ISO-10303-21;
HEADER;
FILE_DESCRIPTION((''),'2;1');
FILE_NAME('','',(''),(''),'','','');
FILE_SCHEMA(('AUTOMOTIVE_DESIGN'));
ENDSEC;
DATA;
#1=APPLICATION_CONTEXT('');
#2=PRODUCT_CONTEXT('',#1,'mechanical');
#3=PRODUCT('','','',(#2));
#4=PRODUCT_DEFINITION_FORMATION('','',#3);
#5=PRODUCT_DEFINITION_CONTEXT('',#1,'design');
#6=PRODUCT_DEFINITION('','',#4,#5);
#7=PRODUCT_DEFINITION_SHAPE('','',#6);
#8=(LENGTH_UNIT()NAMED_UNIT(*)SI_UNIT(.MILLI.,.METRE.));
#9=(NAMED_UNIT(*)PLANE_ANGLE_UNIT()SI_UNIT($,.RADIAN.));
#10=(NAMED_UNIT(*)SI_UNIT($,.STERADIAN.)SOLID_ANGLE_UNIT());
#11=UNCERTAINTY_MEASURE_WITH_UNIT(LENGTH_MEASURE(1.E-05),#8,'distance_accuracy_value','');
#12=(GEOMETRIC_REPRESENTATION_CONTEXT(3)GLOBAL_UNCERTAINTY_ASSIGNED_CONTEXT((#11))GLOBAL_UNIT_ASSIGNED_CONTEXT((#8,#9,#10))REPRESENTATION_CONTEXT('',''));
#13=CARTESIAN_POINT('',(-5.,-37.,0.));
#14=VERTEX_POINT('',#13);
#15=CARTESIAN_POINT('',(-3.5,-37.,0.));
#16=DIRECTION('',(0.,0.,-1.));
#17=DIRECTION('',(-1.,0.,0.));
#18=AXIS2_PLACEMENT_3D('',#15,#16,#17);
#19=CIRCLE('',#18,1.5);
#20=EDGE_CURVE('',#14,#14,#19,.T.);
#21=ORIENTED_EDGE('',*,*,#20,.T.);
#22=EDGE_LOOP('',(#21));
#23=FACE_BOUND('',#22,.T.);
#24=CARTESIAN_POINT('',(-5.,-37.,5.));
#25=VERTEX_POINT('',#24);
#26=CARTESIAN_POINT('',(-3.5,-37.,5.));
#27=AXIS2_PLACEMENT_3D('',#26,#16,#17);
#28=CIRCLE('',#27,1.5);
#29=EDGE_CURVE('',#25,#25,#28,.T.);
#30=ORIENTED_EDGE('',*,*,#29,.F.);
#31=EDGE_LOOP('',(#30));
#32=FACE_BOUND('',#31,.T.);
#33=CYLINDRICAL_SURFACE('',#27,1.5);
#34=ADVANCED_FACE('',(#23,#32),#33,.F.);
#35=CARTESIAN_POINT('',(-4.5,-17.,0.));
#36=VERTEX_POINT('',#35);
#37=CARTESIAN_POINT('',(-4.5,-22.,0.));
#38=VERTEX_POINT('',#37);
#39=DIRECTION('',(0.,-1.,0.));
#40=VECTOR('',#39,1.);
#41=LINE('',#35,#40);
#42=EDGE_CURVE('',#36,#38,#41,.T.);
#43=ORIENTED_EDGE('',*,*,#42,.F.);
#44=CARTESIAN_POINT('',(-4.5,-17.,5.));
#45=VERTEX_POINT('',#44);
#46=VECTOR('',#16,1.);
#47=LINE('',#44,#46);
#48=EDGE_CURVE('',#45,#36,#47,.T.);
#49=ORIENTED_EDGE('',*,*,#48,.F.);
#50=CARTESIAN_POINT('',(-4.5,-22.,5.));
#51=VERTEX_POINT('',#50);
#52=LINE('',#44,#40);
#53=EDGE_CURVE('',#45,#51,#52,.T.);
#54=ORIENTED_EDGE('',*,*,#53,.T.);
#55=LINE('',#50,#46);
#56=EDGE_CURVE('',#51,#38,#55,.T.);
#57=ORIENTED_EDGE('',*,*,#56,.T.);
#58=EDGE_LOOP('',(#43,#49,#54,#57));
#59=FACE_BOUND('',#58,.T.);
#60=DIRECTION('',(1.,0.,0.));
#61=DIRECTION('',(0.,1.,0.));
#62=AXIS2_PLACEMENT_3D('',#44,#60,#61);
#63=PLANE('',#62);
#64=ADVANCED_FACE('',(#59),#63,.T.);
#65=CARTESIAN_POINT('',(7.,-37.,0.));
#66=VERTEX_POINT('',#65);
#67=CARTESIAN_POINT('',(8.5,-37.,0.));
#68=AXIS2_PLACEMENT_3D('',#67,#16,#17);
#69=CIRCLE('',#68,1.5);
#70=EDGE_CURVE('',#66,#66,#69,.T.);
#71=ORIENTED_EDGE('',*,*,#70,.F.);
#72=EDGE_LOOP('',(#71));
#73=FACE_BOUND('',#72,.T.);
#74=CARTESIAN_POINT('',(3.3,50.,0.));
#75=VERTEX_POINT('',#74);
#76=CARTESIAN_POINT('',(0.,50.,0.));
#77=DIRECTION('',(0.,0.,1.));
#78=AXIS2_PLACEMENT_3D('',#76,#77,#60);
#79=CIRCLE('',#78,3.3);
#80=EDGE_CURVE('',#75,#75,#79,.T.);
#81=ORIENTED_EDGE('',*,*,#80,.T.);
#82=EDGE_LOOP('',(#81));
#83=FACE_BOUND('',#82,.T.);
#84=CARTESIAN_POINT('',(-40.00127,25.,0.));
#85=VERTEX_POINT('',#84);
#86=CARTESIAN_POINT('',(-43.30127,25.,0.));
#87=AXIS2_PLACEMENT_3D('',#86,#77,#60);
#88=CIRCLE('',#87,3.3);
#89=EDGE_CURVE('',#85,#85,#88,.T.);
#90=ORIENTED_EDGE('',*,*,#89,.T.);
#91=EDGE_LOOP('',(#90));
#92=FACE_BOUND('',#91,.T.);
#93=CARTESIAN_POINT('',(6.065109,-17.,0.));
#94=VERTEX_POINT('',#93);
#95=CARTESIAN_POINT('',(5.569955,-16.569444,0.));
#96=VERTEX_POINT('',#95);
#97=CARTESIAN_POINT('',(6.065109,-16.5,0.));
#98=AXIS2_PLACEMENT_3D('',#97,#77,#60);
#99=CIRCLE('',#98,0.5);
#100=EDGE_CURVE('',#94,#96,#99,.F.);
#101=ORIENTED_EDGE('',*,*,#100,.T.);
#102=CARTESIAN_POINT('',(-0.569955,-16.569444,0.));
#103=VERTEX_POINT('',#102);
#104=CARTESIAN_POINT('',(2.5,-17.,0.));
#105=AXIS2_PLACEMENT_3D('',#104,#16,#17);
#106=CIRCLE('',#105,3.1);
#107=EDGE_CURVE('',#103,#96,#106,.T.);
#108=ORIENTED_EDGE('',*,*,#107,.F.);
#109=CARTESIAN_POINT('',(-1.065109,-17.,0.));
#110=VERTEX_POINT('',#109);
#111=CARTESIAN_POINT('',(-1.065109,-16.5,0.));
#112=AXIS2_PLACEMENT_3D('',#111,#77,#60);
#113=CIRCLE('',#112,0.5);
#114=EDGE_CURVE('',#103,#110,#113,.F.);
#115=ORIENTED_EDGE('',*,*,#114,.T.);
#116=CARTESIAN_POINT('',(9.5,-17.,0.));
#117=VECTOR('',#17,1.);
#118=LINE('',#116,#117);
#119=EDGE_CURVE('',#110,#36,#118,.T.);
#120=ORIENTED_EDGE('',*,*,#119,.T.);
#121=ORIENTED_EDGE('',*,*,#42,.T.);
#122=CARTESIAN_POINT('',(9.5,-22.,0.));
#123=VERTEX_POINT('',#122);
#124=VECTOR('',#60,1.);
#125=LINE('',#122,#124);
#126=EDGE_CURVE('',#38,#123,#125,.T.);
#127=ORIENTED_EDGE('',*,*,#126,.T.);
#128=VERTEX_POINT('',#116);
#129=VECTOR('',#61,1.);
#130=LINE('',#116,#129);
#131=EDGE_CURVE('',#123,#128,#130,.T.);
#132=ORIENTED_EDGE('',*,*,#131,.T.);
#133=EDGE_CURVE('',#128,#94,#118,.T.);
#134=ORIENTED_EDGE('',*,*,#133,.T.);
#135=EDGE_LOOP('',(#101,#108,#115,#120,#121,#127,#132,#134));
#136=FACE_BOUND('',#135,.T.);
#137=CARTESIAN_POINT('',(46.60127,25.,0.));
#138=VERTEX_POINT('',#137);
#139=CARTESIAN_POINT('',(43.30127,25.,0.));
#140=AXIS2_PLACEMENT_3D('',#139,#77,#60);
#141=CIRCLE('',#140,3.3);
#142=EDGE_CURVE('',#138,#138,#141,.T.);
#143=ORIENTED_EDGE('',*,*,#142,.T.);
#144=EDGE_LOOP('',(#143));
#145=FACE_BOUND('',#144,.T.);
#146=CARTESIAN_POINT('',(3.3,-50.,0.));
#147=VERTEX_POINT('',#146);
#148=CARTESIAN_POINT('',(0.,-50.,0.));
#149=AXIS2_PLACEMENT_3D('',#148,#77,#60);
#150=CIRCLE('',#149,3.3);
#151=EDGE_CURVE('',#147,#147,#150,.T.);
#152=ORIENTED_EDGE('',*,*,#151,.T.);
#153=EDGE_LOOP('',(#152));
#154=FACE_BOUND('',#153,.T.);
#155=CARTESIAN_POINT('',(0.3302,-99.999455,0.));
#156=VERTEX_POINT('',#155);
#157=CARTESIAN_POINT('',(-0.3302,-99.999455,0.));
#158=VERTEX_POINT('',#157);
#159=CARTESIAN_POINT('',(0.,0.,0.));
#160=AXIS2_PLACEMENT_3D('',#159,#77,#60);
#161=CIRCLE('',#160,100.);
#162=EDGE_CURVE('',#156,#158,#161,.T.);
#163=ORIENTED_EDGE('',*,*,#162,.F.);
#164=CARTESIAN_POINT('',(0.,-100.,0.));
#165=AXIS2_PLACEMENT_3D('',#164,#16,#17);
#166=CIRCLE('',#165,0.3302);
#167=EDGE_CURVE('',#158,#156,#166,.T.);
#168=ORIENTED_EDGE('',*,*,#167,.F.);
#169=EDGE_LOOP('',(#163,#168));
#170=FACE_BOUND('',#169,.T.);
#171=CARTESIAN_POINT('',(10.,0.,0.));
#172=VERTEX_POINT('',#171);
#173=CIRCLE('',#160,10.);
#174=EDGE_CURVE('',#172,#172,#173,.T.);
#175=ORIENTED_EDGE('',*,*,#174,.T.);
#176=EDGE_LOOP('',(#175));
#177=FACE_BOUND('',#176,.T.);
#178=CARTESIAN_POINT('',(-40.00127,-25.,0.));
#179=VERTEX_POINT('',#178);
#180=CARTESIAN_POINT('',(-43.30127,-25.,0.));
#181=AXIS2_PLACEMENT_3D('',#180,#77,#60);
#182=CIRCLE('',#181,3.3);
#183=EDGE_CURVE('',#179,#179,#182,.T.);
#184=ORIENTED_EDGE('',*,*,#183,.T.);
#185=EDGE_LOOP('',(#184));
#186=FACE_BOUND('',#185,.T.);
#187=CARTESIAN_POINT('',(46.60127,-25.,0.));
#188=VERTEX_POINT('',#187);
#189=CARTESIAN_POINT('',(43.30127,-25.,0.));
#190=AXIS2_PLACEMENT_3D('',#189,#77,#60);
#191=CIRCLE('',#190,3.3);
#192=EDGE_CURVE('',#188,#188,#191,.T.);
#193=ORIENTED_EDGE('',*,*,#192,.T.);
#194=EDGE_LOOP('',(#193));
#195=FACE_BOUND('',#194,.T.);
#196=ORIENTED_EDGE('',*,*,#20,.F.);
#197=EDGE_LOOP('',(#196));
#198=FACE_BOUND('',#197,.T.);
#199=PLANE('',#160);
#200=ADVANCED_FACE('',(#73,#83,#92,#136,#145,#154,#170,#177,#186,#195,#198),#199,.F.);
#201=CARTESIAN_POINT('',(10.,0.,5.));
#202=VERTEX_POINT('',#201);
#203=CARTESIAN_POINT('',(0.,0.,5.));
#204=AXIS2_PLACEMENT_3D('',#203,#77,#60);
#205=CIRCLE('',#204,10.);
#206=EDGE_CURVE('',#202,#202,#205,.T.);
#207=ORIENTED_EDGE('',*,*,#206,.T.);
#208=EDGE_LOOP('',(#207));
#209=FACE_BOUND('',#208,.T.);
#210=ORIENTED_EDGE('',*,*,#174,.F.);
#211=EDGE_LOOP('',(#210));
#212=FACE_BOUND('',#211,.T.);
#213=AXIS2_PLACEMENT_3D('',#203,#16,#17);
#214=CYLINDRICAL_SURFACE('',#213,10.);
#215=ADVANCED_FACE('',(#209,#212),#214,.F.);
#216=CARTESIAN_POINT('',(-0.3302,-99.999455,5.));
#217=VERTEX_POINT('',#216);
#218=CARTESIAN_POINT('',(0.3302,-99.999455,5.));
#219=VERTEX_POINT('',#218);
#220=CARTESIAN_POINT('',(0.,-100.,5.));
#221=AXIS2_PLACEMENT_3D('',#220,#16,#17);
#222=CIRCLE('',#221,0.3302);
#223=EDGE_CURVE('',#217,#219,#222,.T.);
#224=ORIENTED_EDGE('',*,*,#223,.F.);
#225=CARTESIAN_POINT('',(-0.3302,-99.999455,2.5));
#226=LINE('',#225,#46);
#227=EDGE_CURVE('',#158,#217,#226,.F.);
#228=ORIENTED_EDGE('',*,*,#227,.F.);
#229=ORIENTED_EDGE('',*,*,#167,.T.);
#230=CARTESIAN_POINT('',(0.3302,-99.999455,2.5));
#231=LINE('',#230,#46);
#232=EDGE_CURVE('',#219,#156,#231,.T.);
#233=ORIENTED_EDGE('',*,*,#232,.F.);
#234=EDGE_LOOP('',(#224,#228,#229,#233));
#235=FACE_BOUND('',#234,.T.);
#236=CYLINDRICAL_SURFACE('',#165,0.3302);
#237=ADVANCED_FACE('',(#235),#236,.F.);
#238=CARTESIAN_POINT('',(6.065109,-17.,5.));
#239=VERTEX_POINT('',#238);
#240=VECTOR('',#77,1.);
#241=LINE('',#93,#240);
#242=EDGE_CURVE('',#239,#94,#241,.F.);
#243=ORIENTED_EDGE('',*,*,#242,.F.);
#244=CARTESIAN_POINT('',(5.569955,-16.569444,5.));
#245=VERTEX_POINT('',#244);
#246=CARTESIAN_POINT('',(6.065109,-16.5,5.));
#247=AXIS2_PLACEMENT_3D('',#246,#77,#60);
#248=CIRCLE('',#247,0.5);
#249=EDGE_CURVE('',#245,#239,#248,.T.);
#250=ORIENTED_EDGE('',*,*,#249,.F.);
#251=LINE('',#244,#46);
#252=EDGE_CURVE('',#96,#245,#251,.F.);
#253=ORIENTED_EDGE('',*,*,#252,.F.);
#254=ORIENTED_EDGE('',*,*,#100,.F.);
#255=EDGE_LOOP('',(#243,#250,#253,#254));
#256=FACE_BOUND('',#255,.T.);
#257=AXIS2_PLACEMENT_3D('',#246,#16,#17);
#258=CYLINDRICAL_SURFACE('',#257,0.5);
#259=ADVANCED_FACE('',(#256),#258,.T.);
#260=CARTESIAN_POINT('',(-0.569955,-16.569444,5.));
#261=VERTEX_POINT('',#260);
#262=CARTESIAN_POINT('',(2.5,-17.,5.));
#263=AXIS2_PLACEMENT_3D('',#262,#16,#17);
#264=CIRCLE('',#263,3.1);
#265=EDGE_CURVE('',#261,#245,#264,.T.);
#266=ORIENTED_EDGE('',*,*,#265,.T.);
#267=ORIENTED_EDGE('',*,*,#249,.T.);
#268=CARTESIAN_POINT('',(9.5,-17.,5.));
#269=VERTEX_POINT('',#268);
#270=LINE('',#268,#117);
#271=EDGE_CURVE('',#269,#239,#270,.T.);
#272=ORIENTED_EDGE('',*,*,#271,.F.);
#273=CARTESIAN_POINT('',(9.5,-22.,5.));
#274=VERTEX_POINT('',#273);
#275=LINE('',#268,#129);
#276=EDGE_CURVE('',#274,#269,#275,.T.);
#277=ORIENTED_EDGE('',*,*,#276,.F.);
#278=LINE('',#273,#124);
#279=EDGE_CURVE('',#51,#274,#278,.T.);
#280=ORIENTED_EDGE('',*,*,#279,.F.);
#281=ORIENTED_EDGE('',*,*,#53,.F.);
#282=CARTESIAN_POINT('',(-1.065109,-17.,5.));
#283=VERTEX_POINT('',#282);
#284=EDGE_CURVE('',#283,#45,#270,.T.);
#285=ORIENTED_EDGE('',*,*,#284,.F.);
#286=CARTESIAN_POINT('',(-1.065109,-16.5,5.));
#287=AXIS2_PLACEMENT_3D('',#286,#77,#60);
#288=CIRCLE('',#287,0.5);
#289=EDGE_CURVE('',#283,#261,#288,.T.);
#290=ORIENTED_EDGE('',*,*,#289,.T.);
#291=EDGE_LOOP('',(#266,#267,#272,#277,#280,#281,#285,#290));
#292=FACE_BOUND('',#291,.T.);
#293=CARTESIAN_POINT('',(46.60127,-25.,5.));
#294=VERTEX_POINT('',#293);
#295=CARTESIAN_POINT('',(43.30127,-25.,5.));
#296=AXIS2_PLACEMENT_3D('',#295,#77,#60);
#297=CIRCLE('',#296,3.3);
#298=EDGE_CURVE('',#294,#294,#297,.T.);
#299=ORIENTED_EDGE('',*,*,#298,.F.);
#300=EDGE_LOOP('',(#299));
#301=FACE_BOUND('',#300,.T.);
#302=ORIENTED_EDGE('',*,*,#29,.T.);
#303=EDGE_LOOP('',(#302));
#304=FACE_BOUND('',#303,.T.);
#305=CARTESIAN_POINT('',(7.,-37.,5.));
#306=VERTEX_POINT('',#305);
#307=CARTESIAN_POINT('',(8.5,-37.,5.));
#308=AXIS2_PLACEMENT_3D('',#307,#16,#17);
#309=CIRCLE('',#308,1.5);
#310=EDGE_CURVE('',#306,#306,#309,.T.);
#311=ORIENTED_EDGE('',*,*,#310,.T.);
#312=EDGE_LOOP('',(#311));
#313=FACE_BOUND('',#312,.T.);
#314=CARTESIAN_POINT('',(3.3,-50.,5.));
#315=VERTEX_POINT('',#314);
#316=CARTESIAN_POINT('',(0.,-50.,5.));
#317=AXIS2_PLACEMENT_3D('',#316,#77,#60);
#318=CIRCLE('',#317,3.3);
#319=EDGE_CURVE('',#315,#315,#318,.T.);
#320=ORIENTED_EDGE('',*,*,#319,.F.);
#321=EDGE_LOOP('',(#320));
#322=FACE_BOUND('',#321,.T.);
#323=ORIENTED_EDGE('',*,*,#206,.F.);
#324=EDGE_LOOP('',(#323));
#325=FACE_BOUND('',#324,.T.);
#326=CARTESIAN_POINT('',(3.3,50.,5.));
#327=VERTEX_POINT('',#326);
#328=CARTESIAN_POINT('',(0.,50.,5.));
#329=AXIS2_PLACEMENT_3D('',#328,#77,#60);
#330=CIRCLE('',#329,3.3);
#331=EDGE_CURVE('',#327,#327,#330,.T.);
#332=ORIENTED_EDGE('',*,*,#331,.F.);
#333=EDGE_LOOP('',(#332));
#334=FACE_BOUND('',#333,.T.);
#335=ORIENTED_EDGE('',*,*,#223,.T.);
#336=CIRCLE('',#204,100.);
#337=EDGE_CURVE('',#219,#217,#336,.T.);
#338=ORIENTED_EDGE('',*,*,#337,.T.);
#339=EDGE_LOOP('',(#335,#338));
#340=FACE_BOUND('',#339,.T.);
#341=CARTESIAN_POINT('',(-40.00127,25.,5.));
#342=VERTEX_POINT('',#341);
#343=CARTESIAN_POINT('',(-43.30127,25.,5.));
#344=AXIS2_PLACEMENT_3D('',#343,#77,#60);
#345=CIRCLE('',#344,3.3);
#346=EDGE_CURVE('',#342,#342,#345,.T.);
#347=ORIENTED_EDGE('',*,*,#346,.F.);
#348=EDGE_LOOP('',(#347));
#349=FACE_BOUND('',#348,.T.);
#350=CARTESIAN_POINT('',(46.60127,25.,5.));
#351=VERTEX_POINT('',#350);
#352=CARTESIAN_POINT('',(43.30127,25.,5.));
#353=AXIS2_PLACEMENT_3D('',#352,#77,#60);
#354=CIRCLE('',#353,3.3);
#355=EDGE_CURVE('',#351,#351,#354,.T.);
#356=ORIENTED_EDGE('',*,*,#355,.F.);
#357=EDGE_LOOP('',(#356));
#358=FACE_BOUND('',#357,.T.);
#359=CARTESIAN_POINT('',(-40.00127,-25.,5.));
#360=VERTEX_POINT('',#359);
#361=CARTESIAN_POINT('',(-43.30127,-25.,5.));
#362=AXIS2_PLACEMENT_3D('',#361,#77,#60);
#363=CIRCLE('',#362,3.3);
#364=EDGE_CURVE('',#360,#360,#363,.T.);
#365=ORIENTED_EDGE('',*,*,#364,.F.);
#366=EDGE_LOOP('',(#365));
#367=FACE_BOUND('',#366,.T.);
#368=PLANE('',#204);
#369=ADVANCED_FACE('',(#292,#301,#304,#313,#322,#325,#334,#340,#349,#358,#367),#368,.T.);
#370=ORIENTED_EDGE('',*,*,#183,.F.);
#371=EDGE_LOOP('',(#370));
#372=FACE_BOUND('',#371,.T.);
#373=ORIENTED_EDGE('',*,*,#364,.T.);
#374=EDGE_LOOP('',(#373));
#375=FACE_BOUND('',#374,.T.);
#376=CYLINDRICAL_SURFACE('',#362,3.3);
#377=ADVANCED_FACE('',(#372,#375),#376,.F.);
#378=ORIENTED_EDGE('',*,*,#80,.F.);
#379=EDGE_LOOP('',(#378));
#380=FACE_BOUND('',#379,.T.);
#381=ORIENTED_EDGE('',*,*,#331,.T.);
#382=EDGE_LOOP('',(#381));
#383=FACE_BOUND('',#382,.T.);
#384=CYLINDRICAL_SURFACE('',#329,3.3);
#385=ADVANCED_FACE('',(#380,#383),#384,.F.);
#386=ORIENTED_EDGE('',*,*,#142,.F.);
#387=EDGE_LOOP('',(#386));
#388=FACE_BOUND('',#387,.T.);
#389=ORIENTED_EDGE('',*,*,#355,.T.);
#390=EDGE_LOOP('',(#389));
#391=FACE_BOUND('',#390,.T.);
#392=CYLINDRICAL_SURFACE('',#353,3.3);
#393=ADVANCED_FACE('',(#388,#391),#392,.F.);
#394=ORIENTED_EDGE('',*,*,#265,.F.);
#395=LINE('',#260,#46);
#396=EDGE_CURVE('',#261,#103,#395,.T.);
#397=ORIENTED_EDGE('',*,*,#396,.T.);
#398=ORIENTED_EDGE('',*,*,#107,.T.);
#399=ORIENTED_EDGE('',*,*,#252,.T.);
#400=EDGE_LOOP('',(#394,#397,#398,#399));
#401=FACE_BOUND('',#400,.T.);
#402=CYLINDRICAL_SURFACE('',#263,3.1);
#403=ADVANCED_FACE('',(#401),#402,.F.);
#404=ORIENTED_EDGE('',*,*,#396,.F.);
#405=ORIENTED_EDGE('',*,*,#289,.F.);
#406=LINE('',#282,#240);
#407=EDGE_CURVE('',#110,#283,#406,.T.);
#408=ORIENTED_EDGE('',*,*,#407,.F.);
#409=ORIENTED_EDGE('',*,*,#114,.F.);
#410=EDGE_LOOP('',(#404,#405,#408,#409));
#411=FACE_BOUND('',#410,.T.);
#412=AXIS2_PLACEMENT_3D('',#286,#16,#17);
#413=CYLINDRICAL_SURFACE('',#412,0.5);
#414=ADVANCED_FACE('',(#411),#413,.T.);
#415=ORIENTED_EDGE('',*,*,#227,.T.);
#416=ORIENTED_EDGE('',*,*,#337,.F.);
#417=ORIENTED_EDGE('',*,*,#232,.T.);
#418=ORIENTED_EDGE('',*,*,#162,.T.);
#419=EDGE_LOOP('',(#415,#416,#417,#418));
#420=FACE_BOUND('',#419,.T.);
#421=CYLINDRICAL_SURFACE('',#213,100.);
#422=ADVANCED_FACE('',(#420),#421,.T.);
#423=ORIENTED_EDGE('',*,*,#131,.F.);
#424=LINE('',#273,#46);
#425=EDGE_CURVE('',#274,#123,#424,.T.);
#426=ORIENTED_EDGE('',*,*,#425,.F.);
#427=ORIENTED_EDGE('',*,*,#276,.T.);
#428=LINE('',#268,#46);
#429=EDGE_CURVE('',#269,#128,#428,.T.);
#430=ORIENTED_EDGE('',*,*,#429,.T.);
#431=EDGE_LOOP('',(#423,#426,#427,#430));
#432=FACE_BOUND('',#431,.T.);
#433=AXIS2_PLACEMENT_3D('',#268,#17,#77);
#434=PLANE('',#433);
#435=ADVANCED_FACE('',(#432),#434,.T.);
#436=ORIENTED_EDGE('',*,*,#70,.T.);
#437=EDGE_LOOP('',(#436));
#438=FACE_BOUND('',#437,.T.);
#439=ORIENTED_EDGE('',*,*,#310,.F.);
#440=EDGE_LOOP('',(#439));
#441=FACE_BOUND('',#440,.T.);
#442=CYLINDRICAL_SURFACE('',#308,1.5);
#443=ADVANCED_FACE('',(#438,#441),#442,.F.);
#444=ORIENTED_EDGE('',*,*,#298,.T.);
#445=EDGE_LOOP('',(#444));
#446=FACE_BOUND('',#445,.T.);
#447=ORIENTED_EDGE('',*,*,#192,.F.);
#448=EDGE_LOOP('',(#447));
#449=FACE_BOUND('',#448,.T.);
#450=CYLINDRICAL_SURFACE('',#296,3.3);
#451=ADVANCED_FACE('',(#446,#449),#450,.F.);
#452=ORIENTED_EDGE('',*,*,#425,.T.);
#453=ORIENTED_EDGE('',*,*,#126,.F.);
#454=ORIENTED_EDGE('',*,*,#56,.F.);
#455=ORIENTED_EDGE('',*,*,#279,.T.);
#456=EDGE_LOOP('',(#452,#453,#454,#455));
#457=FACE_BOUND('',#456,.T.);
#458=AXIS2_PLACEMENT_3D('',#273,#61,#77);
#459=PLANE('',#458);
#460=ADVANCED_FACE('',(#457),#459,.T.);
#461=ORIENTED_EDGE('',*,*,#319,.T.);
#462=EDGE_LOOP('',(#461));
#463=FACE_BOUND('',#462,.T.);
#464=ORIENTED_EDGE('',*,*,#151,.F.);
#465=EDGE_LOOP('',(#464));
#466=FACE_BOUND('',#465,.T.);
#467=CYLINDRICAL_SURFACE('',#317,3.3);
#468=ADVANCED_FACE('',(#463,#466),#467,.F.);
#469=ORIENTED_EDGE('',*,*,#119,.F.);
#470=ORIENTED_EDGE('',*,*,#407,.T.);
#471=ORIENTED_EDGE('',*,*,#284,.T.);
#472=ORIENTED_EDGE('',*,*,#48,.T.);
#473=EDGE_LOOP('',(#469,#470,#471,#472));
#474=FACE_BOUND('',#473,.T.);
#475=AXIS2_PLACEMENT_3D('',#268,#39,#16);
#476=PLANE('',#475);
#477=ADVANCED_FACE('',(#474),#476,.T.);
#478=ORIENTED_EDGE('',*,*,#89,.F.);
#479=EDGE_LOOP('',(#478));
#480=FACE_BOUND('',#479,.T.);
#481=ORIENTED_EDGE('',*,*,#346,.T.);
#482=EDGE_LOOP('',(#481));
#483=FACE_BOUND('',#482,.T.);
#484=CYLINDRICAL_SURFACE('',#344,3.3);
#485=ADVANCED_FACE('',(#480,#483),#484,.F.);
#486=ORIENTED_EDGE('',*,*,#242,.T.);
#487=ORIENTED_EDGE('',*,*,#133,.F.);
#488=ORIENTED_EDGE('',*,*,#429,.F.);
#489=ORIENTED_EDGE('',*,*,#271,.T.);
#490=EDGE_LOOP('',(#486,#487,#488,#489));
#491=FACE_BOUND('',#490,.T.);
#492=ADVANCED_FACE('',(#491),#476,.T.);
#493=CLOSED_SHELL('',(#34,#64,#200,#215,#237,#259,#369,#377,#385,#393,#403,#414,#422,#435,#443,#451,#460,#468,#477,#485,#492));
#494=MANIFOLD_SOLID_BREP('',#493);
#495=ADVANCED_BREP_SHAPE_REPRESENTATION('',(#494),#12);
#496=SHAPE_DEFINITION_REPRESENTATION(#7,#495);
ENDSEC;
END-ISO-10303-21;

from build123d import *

# Parameters (mm, degrees)
SKETCH1_R                = 100
BOSS_EXTRUDE1_DEPTH      = 5
SKETCH4_R                = 3
CUT_EXTRUDE2_DEPTH       = 142.509716981
CIRPATTERN1_COUNT        = 6
M6_CLEARANCE_HOLE1_D     = 6.6
SKETCH7_W                = 14
SKETCH7_H                = 5
CUT_EXTRUDE3_DEPTH       = 142.509716981
SKETCH8_R                = 1
SKETCH8_R_2              = 3.1
CUT_EXTRUDE4_DEPTH       = 142.509716981
F_0000_CLEARANCE_HOLE3_D = 0.6604
FILLET1_R                = 0.5
SKETCH20_R               = 1.5
CUT_EXTRUDE6_DEPTH       = 142.509716981
SKETCH21_R               = 10
CUT_EXTRUDE9_DEPTH       = 142.509716981


with BuildPart() as part:
    # Sketch1 → Boss-Extrude1 (new body)
    with BuildSketch(Plane.XY):
        Circle(SKETCH1_R)
    extrude(amount=BOSS_EXTRUDE1_DEPTH)

    # Sketch4 → Cut-Extrude2 (cut, through all)
    with BuildSketch(Plane.XY):
        with Locations((0, 50)):
            Circle(SKETCH4_R)
    cut_extrude2 = extrude(amount=CUT_EXTRUDE2_DEPTH, mode=Mode.SUBTRACT)

    # CirPattern1: Cut-Extrude2 ×6 about axis
    cirpattern1_axis = Axis((0, 0, 0), (0, 0, 1))
    for i in range(1, CIRPATTERN1_COUNT):
        add(cut_extrude2.rotate(cirpattern1_axis, i * 360 / CIRPATTERN1_COUNT), mode=Mode.SUBTRACT)

    # M6 Clearance Hole1 (through all)
    with Locations(Plane.XY.offset(5)):
        with Locations((0, 50), (43.301270189, 25), (43.301270189, -25), (0, -50), (-43.301270189, -25), (-43.301270189, 25)):
            Hole(M6_CLEARANCE_HOLE1_D / 2)

    # Sketch7 → Cut-Extrude3 (cut, through all)
    with BuildSketch(Plane.XY):
        with Locations((2.5, -19.5)):
            Rectangle(SKETCH7_W, SKETCH7_H)
    extrude(amount=CUT_EXTRUDE3_DEPTH, mode=Mode.SUBTRACT)

    # Sketch8 → Cut-Extrude4 (cut, through all)
    with BuildSketch(Plane(origin=(0, 0, 0), x_dir=(-1, 0, 0), z_dir=(0, 0, -1))):
        with Locations((-2.5, 4)):
            Circle(SKETCH8_R)
        with Locations((-2.5, -17)):
            Circle(SKETCH8_R_2)
    extrude(amount=-CUT_EXTRUDE4_DEPTH, mode=Mode.SUBTRACT)

    # #0000 Clearance Hole3 (through all)
    with Locations(Plane(origin=(0, 0, 0), x_dir=(-1, 0, 0), z_dir=(0, 0, -1))):
        with Locations((-2.5, 4), (0, 0), (0, -100)):
            Hole(F_0000_CLEARANCE_HOLE3_D / 2)

    # Fillet1
    fillet1_edges = [part.edges().sort_by_distance(p)[0] for p in [
        (5.6, -17, 2.5),
        (-0.6, -17, 2.5),
    ]]
    fillet(fillet1_edges, radius=FILLET1_R)

    # Sketch20 → Cut-Extrude6 (cut, through all)
    with BuildSketch(Plane(origin=(0, 0, 0), x_dir=(-1, 0, 0), z_dir=(0, 0, -1))):
        with Locations((-8.5, -37)):
            Circle(SKETCH20_R)
        with Locations((3.5, -37)):
            Circle(SKETCH20_R)
    extrude(amount=-CUT_EXTRUDE6_DEPTH, mode=Mode.SUBTRACT)

    # Sketch21 → Cut-Extrude9 (cut, through all)
    with BuildSketch(Plane.XY):
        Circle(SKETCH21_R)
    extrude(amount=CUT_EXTRUDE9_DEPTH, mode=Mode.SUBTRACT)


solid = part.part
